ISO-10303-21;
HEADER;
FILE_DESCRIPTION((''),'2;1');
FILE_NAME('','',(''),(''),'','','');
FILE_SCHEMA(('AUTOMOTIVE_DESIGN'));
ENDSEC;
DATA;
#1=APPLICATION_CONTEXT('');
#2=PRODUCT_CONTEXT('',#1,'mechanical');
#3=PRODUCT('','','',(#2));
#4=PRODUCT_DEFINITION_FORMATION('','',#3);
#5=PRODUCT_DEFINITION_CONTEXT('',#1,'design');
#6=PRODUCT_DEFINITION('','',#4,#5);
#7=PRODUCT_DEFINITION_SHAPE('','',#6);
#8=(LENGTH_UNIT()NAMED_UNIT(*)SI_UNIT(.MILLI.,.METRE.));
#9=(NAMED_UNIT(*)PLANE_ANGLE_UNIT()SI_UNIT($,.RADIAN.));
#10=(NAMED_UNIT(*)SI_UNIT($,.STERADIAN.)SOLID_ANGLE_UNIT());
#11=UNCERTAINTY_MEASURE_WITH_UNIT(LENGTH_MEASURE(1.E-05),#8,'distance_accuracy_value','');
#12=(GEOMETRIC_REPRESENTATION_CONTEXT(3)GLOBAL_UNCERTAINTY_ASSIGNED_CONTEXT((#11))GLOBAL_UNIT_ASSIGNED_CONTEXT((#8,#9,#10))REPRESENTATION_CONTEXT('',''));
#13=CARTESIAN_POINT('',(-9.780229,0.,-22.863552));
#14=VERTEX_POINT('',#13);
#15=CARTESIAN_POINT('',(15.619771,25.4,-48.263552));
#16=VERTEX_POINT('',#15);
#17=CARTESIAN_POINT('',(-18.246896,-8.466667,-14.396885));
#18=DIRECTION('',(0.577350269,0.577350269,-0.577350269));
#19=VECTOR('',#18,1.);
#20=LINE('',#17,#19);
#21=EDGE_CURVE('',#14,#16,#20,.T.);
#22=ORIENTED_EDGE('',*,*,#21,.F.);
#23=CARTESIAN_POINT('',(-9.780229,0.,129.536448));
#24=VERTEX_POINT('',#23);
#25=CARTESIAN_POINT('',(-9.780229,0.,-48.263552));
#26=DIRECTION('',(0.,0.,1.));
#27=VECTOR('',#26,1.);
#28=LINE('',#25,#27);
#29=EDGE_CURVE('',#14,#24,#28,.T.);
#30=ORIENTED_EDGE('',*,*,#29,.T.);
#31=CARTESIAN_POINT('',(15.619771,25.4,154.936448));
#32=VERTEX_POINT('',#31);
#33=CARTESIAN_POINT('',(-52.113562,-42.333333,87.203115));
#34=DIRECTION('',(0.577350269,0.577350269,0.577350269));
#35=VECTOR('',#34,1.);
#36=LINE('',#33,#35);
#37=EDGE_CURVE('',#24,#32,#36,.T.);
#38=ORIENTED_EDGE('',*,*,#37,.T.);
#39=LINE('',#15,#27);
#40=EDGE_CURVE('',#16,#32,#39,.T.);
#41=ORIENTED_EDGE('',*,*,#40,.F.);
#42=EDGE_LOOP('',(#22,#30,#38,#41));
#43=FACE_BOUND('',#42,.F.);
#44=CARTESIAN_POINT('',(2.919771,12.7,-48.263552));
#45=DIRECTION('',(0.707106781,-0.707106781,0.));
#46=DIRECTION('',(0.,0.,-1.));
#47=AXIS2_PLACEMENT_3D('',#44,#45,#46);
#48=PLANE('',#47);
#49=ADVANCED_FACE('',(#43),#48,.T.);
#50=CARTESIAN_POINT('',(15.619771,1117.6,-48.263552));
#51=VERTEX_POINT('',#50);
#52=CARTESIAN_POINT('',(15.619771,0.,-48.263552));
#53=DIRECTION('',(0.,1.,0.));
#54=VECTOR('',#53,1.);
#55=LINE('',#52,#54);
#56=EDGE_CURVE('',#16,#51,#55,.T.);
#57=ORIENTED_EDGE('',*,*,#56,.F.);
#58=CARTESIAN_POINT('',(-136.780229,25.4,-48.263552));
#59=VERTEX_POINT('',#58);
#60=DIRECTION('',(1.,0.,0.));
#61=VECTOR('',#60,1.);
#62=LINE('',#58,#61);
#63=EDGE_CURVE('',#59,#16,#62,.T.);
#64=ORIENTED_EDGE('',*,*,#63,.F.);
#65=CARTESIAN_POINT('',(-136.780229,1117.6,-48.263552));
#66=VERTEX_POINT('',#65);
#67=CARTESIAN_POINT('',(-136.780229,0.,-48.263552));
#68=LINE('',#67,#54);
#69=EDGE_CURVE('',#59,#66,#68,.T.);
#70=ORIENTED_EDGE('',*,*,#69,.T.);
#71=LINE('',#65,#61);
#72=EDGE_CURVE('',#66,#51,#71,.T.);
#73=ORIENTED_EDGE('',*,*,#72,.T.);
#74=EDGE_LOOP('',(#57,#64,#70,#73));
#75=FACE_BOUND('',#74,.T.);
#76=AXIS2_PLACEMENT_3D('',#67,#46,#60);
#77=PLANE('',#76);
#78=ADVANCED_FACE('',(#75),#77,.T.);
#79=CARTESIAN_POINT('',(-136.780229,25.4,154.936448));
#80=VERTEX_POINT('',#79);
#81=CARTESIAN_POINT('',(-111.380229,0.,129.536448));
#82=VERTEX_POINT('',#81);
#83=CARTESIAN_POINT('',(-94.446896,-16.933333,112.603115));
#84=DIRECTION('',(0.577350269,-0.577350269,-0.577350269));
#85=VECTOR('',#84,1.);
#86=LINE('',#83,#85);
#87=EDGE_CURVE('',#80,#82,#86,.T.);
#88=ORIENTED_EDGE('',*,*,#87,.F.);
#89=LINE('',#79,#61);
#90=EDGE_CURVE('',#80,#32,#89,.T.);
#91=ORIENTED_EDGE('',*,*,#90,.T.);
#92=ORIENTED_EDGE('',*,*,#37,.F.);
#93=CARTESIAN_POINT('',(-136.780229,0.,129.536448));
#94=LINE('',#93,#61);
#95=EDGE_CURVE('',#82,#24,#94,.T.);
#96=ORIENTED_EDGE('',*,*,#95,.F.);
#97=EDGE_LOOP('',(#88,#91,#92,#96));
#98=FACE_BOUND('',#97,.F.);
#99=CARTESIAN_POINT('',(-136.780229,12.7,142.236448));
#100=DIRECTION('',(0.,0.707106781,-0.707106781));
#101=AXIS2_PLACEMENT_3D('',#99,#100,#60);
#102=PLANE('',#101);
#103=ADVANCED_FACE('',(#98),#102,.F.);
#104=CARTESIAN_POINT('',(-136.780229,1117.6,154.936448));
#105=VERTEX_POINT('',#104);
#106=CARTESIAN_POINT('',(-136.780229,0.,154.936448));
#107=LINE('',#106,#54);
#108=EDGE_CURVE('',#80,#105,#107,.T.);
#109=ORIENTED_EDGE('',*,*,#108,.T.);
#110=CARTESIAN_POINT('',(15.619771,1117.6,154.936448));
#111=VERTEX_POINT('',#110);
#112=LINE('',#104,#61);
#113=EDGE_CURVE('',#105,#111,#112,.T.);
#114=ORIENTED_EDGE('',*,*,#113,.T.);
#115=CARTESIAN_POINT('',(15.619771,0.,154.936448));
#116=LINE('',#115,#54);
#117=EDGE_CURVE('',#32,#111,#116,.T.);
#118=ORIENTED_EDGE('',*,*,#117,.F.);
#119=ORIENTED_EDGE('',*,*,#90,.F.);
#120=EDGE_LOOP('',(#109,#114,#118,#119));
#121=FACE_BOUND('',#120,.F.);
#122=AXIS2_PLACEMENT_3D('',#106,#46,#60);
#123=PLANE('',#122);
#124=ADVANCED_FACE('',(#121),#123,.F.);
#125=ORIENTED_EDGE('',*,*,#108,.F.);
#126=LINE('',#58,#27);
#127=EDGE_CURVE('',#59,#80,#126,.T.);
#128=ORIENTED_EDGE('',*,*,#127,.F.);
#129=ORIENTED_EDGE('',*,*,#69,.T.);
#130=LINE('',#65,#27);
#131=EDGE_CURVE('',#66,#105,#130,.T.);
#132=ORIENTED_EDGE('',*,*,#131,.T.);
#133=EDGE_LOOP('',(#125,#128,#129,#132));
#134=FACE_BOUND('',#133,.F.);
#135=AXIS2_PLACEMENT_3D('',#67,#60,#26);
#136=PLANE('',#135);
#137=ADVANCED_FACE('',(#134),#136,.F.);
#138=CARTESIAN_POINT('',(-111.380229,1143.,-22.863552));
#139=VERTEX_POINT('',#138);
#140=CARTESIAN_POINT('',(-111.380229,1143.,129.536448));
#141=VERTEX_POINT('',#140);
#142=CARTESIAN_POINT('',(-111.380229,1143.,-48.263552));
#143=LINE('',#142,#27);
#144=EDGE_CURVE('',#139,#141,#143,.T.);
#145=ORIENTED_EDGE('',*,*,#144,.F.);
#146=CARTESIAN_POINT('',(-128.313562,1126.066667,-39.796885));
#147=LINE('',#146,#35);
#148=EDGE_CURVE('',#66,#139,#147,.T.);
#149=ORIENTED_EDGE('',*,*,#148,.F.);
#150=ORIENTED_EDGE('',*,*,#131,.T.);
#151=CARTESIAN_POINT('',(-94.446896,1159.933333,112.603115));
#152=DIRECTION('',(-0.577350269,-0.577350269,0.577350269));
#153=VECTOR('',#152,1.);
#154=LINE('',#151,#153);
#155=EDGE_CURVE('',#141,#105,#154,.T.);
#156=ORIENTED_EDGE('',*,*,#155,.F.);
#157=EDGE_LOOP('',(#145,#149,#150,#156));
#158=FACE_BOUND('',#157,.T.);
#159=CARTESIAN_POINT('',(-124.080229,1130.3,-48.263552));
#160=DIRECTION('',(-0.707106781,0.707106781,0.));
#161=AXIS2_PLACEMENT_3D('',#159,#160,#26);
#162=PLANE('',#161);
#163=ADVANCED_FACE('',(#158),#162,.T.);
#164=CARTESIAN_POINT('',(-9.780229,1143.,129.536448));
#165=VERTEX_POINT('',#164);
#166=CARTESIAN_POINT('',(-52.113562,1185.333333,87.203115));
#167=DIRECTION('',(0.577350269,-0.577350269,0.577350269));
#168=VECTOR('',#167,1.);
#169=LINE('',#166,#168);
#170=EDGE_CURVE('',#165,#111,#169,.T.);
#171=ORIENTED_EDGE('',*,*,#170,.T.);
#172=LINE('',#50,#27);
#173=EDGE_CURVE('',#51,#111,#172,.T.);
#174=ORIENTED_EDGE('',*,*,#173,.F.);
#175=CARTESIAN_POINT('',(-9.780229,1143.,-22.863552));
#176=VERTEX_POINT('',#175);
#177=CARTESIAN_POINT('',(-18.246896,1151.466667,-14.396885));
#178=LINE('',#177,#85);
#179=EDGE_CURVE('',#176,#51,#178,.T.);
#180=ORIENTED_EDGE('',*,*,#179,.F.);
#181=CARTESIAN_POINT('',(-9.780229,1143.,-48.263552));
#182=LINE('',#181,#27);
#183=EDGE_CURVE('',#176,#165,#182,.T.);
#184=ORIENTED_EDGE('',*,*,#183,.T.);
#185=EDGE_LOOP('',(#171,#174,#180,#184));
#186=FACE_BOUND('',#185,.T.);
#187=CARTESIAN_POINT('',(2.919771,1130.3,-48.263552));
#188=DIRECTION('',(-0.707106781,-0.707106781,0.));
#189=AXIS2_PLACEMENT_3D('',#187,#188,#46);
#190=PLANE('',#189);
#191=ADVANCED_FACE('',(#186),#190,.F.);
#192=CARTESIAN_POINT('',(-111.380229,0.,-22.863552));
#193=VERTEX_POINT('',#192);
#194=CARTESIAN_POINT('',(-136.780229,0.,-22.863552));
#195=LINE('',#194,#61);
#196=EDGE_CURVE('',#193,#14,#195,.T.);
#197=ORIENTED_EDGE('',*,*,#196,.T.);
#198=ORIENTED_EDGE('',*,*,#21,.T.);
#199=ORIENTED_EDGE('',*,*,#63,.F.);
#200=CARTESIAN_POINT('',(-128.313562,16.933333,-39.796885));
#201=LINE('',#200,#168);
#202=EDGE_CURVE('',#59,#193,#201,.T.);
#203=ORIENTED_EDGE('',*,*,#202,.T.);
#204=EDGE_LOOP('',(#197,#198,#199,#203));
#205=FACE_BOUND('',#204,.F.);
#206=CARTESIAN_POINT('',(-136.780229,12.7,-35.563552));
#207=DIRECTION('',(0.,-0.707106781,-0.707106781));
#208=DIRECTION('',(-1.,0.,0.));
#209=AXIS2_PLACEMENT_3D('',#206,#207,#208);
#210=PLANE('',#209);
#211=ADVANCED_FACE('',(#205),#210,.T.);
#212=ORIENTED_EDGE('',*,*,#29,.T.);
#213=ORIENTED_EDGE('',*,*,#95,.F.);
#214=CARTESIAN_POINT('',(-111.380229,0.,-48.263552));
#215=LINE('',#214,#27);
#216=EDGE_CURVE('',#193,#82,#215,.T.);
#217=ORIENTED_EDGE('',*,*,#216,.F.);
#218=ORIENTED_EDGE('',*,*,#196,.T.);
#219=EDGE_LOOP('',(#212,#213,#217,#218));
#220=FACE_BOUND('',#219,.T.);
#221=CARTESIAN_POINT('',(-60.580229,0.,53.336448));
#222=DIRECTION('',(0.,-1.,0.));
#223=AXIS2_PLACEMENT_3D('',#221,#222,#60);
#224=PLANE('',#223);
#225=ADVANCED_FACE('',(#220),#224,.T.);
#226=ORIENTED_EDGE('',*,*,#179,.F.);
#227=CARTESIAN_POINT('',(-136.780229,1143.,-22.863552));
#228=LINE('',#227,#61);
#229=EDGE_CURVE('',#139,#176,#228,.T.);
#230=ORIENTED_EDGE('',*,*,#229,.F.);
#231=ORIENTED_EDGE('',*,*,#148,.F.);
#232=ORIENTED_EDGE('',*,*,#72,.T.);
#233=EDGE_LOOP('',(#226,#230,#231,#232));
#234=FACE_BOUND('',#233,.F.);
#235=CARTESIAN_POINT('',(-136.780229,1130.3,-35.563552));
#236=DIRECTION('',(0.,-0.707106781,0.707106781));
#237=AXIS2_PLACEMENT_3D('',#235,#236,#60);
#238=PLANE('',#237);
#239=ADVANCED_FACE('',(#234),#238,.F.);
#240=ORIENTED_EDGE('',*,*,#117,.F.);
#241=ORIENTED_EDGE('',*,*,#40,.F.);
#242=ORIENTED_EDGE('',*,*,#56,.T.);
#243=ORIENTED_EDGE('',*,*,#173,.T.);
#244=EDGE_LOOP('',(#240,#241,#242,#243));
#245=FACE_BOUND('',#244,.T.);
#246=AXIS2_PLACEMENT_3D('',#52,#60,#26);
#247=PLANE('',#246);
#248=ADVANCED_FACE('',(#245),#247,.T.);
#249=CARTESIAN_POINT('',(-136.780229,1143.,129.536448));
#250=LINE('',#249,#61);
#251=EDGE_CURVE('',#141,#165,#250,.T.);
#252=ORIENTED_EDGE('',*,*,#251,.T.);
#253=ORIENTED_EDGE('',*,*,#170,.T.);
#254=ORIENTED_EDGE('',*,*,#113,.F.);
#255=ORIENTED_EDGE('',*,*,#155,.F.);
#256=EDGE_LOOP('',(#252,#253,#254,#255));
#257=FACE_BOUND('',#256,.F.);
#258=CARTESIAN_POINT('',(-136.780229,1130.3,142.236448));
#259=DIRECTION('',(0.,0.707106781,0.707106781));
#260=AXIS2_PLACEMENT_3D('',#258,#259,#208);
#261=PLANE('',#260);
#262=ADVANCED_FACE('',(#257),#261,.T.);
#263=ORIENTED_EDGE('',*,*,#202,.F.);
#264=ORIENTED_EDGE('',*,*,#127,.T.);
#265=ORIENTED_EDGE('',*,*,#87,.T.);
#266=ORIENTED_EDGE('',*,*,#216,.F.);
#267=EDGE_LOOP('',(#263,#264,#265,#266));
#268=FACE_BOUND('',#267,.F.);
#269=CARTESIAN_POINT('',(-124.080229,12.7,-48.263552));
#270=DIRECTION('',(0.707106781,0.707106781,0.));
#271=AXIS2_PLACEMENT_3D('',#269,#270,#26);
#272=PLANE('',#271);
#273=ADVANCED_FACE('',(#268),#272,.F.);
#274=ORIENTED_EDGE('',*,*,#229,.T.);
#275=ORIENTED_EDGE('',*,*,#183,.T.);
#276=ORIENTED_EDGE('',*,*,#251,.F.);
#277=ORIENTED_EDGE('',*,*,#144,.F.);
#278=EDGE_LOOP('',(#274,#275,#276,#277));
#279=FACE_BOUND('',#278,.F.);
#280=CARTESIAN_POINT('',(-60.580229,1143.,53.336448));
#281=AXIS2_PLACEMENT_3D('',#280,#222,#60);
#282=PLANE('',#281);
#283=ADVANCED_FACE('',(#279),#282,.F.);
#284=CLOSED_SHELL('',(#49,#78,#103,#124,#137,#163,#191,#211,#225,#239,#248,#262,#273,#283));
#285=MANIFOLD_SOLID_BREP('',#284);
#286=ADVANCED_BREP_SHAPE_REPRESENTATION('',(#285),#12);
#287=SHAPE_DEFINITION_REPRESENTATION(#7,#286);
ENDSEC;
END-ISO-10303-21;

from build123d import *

# Parameters (mm, degrees)
F0_W     = 152.4
F0_H     = 203.2
F1_DEPTH = 1143
F2_SIZE  = 25.4
F3_SIZE  = 25.4
F4_SIZE  = 25.4


with BuildPart() as f1:
    # F0 (on Front) → F1 (new body)
    with BuildSketch(Plane.XZ):
        with Locations((-60.580229, 53.336448)):
            Rectangle(F0_W, F0_H)
    extrude(amount=-F1_DEPTH)

    # F2
    f2_edges = [f1.edges().sort_by_distance(p)[0] for p in [
        (-60.580229, 0, 154.936448),
    ]]
    chamfer(f2_edges, length=F2_SIZE)

    # F3
    f3_edges = [f1.edges().sort_by_distance(p)[0] for p in [
        (-136.780229, 0, 40.636448),
        (-60.580229, 0, -48.263552),
        (15.619771, 0, 40.636448),
    ]]
    chamfer(f3_edges, length=F3_SIZE)

    # F4
    f4_edges = [f1.edges().sort_by_distance(p)[0] for p in [
        (-60.580229, 1143, 154.936448),
        (15.619771, 1143, 53.336448),
        (-60.580229, 1143, -48.263552),
        (-136.780229, 1143, 53.336448),
    ]]
    chamfer(f4_edges, length=F4_SIZE)


solid = f1.part
